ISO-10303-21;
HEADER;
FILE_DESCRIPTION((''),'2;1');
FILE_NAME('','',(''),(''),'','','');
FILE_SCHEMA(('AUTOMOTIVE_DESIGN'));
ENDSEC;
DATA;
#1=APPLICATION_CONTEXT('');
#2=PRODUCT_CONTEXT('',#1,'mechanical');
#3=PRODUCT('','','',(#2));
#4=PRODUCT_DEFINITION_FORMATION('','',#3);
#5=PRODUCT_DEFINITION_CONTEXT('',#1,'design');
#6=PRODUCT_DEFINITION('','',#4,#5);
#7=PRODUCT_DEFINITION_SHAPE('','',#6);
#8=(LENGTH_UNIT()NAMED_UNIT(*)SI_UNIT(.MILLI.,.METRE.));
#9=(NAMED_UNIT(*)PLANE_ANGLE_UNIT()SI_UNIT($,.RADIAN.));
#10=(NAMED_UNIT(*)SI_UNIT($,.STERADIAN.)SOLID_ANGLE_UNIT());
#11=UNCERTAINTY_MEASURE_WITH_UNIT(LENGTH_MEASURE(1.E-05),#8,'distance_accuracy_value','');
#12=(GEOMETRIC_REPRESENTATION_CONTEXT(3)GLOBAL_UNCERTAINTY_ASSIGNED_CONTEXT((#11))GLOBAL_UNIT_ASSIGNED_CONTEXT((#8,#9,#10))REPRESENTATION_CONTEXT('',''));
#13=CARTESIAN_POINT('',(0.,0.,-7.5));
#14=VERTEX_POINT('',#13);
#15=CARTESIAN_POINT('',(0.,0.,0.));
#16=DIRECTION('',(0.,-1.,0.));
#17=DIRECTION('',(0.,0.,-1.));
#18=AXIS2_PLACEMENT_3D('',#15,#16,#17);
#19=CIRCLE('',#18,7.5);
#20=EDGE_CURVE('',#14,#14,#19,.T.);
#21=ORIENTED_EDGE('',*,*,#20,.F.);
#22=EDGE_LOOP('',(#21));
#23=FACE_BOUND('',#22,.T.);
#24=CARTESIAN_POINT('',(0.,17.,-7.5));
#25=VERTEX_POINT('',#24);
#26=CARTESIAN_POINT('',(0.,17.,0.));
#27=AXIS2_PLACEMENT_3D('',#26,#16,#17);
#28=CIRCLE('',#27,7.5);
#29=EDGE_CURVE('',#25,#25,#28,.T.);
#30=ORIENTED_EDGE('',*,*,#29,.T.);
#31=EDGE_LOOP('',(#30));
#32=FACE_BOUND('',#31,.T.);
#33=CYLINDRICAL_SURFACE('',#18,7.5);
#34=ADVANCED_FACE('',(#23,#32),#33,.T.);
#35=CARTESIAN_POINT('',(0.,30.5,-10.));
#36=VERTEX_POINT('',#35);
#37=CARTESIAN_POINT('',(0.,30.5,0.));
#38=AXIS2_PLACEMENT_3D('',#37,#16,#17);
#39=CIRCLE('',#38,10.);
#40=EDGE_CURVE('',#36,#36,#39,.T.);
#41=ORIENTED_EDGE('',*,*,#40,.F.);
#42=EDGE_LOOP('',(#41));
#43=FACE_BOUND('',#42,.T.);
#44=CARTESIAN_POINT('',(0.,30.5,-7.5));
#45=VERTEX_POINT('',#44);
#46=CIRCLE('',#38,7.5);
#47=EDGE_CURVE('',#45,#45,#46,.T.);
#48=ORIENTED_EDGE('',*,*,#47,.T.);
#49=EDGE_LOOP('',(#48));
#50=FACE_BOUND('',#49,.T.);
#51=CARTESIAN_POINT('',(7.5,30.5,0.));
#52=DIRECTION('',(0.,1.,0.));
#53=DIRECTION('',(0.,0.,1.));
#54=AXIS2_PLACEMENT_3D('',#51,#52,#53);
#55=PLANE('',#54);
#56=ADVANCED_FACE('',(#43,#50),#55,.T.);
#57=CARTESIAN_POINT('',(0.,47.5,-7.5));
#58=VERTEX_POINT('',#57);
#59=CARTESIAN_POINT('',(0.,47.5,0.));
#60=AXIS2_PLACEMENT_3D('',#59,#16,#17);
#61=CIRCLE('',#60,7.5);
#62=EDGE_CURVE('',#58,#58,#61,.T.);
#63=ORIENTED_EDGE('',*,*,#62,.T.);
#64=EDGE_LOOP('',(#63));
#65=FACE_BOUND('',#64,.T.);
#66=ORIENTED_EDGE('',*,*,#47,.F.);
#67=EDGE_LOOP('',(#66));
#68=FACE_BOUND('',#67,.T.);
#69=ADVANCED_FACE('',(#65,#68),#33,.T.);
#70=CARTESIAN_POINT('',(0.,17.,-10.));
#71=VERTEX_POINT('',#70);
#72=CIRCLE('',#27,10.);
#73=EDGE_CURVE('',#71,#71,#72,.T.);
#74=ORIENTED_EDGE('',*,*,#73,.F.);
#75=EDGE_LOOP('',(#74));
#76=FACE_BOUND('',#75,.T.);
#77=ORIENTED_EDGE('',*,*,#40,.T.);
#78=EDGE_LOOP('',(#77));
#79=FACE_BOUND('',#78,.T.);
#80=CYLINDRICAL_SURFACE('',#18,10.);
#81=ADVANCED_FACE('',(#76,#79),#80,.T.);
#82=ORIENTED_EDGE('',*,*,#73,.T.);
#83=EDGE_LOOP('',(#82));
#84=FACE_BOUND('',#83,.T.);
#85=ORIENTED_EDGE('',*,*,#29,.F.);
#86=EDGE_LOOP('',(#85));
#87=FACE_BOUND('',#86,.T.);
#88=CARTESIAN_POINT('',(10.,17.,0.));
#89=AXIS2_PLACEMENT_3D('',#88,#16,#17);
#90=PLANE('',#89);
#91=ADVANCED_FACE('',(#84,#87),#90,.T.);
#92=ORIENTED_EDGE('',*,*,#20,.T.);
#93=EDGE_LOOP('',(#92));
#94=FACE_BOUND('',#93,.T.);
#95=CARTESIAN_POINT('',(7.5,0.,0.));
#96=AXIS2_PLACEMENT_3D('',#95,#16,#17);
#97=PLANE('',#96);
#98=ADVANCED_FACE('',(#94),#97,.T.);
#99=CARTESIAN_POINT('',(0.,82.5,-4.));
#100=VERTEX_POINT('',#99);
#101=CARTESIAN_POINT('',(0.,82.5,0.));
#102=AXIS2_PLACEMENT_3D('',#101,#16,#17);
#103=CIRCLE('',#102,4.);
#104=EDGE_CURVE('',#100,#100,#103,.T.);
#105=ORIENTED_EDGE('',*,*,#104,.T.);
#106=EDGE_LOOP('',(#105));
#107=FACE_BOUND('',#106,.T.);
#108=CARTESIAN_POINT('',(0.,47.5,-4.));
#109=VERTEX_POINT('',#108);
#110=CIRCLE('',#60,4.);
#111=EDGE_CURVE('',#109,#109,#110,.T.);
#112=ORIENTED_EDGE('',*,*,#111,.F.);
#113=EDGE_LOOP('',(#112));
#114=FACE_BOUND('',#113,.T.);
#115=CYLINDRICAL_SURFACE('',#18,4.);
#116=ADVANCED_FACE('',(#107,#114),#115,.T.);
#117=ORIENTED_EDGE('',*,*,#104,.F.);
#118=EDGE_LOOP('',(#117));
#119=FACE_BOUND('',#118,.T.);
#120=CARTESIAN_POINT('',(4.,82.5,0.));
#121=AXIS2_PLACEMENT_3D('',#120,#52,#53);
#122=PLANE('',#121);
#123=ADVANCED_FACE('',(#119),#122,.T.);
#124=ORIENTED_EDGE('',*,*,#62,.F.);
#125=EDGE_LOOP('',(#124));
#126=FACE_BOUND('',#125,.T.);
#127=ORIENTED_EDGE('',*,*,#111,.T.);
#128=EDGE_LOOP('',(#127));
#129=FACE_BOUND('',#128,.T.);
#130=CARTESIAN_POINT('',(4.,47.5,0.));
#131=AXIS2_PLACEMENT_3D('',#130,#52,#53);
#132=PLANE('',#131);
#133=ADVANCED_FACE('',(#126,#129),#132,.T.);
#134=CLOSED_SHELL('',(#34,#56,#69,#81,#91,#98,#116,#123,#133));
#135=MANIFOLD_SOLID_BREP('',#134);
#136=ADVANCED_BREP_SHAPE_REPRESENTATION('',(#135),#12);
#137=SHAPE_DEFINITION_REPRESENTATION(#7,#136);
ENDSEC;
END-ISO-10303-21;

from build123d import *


with BuildPart() as part:
    # Szkic1 → Obrót1 (revolve)
    with BuildSketch(Plane.XY, mode=Mode.PRIVATE) as obr_t1_sk:
        Polygon((4, 47.5), (7.5, 47.5), (7.5, 30.5), (10, 30.5), (10, 17), (7.5, 17), (7.5, 0), (0, 0), (0, 47.5), (0, 82.5), (4, 82.5), align=None)
    revolve(obr_t1_sk.sketch.rotate(Axis((0, 0, 0), (0, 1, 0)), 90), axis=Axis((0, 0, 0), (0, 1, 0)))


solid = part.part
